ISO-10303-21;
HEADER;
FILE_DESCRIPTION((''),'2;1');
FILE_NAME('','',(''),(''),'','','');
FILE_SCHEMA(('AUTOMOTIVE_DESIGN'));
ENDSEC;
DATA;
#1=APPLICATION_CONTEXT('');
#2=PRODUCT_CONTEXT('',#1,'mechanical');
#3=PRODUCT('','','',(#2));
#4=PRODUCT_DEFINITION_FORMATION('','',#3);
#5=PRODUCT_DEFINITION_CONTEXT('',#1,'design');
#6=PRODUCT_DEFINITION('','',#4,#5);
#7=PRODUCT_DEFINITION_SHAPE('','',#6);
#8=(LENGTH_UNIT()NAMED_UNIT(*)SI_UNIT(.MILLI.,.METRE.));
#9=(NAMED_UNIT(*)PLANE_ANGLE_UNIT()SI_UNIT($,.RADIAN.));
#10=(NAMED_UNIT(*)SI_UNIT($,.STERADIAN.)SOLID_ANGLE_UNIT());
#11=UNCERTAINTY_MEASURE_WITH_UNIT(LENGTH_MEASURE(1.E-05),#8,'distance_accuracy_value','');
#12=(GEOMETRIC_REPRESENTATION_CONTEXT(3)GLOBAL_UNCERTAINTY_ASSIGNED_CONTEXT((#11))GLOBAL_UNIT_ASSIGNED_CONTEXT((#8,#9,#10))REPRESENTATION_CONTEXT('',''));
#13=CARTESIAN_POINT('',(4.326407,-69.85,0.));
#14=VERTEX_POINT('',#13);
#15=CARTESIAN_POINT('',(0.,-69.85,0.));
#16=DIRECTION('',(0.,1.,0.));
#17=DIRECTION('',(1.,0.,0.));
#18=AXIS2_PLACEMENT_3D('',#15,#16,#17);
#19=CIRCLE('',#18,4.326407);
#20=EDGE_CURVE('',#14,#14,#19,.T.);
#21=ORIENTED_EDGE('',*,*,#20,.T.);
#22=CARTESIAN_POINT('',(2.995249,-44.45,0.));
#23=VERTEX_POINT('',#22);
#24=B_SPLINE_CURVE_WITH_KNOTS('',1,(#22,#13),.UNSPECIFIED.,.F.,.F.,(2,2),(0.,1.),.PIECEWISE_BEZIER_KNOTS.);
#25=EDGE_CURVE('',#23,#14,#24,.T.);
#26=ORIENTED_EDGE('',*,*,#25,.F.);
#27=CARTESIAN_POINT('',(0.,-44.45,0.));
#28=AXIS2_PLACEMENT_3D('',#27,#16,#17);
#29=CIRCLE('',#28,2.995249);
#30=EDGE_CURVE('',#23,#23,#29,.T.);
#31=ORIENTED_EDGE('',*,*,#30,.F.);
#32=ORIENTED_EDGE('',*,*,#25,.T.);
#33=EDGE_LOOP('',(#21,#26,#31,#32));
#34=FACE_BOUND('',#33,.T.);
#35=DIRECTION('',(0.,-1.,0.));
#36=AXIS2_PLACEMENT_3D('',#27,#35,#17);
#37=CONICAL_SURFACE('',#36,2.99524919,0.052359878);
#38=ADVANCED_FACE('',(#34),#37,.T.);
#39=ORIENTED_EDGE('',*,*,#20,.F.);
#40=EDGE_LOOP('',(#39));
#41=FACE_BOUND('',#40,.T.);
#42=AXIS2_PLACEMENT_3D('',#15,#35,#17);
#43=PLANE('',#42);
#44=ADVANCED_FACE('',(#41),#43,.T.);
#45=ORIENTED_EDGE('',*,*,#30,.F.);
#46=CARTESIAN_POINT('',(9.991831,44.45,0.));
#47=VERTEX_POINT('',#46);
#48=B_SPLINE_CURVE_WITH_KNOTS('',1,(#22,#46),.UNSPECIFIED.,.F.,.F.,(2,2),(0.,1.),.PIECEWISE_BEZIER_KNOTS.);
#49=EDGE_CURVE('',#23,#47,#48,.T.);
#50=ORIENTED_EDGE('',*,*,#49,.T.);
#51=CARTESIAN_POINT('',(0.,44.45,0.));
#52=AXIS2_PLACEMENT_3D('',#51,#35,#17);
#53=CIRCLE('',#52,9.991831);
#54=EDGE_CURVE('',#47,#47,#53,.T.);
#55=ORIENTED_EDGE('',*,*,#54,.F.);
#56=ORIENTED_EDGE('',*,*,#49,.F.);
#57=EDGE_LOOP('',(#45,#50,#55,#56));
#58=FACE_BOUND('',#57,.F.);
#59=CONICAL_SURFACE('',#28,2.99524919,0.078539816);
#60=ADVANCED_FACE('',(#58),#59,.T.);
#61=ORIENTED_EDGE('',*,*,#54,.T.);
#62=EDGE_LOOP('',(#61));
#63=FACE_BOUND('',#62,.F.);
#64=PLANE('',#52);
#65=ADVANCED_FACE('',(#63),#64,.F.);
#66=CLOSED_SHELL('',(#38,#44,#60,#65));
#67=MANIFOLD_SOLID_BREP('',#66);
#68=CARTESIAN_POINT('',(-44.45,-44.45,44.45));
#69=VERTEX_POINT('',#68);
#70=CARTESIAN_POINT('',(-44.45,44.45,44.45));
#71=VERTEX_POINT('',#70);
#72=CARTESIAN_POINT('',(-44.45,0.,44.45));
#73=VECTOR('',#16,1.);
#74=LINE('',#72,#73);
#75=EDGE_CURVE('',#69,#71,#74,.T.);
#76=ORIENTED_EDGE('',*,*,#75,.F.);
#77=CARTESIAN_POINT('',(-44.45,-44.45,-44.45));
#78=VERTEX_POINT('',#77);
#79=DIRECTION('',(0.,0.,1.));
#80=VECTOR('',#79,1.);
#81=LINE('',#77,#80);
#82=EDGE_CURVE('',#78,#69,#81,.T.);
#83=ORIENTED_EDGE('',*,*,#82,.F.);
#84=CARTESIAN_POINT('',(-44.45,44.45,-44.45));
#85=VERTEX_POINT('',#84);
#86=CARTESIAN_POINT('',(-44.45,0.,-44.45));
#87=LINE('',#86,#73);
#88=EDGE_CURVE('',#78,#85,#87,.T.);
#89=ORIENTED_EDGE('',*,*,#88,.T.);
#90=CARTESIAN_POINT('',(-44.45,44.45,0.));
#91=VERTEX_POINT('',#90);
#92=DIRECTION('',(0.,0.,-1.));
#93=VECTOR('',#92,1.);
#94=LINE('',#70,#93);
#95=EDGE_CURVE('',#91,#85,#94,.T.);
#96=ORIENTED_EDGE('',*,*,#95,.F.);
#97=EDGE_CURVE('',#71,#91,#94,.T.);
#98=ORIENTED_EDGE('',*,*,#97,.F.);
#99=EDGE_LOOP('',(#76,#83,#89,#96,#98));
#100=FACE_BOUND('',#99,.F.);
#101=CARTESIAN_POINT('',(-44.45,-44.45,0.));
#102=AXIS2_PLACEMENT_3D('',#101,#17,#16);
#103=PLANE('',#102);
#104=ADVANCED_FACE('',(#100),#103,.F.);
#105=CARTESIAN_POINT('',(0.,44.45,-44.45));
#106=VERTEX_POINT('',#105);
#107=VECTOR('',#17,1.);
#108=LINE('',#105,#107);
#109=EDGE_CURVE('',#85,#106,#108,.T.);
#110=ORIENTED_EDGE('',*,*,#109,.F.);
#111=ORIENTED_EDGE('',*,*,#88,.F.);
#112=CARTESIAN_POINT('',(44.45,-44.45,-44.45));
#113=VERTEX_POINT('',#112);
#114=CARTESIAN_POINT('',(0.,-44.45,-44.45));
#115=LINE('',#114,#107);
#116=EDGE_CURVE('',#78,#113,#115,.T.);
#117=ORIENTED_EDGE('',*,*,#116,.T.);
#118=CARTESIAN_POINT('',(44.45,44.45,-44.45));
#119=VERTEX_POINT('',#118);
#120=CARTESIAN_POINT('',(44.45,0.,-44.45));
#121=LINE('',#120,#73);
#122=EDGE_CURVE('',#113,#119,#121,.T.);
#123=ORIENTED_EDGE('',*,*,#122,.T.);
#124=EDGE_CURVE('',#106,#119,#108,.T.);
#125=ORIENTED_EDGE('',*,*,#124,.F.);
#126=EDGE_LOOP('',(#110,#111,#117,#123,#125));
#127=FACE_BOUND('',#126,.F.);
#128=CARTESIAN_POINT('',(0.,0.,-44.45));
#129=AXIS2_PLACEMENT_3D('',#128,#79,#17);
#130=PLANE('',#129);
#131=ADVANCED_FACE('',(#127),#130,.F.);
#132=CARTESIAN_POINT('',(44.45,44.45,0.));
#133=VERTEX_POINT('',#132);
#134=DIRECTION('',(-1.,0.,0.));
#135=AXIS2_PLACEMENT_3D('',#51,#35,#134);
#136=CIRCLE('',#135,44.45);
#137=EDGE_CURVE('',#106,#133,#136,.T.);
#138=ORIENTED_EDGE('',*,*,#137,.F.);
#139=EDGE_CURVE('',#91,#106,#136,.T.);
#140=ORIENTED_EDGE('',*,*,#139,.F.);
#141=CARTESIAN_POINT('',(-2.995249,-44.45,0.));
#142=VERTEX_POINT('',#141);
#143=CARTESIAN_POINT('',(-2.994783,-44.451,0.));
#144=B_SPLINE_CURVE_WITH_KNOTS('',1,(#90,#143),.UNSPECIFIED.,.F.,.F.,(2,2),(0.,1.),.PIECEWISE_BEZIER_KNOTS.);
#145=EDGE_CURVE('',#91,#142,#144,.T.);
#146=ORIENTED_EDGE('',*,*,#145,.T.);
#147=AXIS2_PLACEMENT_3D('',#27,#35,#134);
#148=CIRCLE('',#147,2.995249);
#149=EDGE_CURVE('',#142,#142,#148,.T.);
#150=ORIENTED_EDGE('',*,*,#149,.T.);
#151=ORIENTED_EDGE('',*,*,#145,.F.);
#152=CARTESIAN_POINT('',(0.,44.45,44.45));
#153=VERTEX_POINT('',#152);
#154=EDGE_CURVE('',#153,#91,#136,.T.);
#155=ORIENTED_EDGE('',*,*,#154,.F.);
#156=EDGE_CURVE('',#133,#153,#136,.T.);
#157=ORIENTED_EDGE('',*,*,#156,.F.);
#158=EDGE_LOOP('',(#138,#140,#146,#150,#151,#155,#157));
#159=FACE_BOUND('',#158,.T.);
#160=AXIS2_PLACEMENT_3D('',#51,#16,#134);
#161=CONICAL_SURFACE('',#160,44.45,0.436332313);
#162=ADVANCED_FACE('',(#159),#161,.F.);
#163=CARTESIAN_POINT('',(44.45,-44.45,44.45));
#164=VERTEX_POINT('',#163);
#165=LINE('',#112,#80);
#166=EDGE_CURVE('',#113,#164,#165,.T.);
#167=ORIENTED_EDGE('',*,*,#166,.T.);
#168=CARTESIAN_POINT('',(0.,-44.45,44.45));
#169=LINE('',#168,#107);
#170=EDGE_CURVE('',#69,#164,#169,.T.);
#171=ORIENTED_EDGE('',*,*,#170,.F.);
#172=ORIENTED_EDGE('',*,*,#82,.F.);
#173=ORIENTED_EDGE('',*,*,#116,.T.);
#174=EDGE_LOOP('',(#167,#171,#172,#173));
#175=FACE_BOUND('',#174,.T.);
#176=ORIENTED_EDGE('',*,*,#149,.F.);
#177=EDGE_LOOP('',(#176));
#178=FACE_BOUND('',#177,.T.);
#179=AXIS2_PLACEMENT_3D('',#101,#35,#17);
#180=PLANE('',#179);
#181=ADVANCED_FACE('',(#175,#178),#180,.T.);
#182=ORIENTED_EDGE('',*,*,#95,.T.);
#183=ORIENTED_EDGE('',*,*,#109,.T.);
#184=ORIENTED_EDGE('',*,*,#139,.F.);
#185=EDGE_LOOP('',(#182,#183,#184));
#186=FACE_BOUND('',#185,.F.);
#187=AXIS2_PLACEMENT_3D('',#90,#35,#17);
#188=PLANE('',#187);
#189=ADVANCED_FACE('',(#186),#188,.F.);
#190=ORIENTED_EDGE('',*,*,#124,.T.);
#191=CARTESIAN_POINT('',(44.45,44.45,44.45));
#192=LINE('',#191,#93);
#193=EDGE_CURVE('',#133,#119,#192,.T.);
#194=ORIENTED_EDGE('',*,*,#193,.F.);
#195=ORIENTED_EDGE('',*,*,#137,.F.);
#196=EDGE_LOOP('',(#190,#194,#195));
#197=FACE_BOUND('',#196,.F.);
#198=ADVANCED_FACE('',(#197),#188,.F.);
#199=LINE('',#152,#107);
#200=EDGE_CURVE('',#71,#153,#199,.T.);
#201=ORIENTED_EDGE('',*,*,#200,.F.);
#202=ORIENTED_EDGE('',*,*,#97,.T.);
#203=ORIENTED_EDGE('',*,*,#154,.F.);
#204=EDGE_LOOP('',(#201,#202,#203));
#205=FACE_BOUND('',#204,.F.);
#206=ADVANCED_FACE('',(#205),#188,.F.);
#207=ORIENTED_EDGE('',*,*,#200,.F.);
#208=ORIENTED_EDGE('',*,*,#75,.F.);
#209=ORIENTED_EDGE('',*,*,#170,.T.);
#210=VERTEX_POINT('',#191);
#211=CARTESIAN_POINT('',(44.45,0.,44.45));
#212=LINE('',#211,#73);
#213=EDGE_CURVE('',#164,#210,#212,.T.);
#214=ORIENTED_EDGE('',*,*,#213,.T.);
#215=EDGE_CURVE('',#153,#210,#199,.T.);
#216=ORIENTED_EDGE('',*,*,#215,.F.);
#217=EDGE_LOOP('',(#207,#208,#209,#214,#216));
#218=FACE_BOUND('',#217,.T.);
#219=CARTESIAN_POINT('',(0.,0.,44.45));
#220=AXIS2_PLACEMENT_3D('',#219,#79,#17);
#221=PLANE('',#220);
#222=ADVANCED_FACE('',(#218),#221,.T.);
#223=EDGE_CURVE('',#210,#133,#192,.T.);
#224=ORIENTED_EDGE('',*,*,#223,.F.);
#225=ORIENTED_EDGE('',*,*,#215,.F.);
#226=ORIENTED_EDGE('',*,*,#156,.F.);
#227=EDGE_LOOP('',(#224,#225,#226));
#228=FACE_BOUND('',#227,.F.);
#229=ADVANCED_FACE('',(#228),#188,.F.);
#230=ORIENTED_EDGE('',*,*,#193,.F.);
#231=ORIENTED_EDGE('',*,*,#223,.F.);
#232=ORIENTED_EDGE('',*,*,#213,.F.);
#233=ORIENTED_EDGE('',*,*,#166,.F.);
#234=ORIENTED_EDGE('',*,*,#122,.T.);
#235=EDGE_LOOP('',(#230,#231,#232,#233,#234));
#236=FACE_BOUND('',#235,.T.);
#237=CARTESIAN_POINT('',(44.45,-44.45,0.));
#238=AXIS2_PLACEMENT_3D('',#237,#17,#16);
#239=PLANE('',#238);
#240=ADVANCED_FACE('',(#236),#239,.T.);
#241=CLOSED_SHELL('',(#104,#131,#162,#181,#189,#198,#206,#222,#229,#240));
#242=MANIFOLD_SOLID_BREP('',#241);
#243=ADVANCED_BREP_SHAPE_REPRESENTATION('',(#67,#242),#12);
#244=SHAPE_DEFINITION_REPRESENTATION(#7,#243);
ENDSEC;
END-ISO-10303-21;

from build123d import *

# Parameters (mm, degrees)
F0_W          = 88.9
F0_H          = 88.9
F1_DEPTH      = 44.45
F1_DEPTH_BACK = 44.45
F2_R          = 44.45
F3_DEPTH      = 88.901
F3_TAPER      = 25
F4_R          = 2.99524919
F5_DEPTH      = 88.9
F5_TAPER      = -4.5
F5_DEPTH_BACK = 25.4
F5_TAPER_BACK = -3


with BuildPart() as f1:
    # F0 (on Top) → F1 (new body, two sides)
    with BuildSketch(Plane.XY) as f1_sk:
        Rectangle(F0_W, F0_H)
    extrude(amount=F1_DEPTH)
    extrude(f1_sk.sketch, amount=-F1_DEPTH_BACK)

    # F2 (on face) → F3 (cut, through all)
    with BuildSketch(Plane(origin=(0, 44.45, 0), x_dir=(-1, 0, 0), z_dir=(0, 1, 0))):
        Circle(F2_R)
    extrude(amount=-F3_DEPTH, taper=F3_TAPER, mode=Mode.SUBTRACT)


with BuildPart() as f5:
    # F4 (on face) → F5 (new body, two sides)
    with BuildSketch(Plane.XZ.offset(44.45)) as f5_sk:
        Circle(F4_R)
    extrude(amount=-F5_DEPTH, taper=F5_TAPER)
    extrude(f5_sk.sketch, amount=F5_DEPTH_BACK, taper=F5_TAPER_BACK)


solid = Compound([f1.part, f5.part])
